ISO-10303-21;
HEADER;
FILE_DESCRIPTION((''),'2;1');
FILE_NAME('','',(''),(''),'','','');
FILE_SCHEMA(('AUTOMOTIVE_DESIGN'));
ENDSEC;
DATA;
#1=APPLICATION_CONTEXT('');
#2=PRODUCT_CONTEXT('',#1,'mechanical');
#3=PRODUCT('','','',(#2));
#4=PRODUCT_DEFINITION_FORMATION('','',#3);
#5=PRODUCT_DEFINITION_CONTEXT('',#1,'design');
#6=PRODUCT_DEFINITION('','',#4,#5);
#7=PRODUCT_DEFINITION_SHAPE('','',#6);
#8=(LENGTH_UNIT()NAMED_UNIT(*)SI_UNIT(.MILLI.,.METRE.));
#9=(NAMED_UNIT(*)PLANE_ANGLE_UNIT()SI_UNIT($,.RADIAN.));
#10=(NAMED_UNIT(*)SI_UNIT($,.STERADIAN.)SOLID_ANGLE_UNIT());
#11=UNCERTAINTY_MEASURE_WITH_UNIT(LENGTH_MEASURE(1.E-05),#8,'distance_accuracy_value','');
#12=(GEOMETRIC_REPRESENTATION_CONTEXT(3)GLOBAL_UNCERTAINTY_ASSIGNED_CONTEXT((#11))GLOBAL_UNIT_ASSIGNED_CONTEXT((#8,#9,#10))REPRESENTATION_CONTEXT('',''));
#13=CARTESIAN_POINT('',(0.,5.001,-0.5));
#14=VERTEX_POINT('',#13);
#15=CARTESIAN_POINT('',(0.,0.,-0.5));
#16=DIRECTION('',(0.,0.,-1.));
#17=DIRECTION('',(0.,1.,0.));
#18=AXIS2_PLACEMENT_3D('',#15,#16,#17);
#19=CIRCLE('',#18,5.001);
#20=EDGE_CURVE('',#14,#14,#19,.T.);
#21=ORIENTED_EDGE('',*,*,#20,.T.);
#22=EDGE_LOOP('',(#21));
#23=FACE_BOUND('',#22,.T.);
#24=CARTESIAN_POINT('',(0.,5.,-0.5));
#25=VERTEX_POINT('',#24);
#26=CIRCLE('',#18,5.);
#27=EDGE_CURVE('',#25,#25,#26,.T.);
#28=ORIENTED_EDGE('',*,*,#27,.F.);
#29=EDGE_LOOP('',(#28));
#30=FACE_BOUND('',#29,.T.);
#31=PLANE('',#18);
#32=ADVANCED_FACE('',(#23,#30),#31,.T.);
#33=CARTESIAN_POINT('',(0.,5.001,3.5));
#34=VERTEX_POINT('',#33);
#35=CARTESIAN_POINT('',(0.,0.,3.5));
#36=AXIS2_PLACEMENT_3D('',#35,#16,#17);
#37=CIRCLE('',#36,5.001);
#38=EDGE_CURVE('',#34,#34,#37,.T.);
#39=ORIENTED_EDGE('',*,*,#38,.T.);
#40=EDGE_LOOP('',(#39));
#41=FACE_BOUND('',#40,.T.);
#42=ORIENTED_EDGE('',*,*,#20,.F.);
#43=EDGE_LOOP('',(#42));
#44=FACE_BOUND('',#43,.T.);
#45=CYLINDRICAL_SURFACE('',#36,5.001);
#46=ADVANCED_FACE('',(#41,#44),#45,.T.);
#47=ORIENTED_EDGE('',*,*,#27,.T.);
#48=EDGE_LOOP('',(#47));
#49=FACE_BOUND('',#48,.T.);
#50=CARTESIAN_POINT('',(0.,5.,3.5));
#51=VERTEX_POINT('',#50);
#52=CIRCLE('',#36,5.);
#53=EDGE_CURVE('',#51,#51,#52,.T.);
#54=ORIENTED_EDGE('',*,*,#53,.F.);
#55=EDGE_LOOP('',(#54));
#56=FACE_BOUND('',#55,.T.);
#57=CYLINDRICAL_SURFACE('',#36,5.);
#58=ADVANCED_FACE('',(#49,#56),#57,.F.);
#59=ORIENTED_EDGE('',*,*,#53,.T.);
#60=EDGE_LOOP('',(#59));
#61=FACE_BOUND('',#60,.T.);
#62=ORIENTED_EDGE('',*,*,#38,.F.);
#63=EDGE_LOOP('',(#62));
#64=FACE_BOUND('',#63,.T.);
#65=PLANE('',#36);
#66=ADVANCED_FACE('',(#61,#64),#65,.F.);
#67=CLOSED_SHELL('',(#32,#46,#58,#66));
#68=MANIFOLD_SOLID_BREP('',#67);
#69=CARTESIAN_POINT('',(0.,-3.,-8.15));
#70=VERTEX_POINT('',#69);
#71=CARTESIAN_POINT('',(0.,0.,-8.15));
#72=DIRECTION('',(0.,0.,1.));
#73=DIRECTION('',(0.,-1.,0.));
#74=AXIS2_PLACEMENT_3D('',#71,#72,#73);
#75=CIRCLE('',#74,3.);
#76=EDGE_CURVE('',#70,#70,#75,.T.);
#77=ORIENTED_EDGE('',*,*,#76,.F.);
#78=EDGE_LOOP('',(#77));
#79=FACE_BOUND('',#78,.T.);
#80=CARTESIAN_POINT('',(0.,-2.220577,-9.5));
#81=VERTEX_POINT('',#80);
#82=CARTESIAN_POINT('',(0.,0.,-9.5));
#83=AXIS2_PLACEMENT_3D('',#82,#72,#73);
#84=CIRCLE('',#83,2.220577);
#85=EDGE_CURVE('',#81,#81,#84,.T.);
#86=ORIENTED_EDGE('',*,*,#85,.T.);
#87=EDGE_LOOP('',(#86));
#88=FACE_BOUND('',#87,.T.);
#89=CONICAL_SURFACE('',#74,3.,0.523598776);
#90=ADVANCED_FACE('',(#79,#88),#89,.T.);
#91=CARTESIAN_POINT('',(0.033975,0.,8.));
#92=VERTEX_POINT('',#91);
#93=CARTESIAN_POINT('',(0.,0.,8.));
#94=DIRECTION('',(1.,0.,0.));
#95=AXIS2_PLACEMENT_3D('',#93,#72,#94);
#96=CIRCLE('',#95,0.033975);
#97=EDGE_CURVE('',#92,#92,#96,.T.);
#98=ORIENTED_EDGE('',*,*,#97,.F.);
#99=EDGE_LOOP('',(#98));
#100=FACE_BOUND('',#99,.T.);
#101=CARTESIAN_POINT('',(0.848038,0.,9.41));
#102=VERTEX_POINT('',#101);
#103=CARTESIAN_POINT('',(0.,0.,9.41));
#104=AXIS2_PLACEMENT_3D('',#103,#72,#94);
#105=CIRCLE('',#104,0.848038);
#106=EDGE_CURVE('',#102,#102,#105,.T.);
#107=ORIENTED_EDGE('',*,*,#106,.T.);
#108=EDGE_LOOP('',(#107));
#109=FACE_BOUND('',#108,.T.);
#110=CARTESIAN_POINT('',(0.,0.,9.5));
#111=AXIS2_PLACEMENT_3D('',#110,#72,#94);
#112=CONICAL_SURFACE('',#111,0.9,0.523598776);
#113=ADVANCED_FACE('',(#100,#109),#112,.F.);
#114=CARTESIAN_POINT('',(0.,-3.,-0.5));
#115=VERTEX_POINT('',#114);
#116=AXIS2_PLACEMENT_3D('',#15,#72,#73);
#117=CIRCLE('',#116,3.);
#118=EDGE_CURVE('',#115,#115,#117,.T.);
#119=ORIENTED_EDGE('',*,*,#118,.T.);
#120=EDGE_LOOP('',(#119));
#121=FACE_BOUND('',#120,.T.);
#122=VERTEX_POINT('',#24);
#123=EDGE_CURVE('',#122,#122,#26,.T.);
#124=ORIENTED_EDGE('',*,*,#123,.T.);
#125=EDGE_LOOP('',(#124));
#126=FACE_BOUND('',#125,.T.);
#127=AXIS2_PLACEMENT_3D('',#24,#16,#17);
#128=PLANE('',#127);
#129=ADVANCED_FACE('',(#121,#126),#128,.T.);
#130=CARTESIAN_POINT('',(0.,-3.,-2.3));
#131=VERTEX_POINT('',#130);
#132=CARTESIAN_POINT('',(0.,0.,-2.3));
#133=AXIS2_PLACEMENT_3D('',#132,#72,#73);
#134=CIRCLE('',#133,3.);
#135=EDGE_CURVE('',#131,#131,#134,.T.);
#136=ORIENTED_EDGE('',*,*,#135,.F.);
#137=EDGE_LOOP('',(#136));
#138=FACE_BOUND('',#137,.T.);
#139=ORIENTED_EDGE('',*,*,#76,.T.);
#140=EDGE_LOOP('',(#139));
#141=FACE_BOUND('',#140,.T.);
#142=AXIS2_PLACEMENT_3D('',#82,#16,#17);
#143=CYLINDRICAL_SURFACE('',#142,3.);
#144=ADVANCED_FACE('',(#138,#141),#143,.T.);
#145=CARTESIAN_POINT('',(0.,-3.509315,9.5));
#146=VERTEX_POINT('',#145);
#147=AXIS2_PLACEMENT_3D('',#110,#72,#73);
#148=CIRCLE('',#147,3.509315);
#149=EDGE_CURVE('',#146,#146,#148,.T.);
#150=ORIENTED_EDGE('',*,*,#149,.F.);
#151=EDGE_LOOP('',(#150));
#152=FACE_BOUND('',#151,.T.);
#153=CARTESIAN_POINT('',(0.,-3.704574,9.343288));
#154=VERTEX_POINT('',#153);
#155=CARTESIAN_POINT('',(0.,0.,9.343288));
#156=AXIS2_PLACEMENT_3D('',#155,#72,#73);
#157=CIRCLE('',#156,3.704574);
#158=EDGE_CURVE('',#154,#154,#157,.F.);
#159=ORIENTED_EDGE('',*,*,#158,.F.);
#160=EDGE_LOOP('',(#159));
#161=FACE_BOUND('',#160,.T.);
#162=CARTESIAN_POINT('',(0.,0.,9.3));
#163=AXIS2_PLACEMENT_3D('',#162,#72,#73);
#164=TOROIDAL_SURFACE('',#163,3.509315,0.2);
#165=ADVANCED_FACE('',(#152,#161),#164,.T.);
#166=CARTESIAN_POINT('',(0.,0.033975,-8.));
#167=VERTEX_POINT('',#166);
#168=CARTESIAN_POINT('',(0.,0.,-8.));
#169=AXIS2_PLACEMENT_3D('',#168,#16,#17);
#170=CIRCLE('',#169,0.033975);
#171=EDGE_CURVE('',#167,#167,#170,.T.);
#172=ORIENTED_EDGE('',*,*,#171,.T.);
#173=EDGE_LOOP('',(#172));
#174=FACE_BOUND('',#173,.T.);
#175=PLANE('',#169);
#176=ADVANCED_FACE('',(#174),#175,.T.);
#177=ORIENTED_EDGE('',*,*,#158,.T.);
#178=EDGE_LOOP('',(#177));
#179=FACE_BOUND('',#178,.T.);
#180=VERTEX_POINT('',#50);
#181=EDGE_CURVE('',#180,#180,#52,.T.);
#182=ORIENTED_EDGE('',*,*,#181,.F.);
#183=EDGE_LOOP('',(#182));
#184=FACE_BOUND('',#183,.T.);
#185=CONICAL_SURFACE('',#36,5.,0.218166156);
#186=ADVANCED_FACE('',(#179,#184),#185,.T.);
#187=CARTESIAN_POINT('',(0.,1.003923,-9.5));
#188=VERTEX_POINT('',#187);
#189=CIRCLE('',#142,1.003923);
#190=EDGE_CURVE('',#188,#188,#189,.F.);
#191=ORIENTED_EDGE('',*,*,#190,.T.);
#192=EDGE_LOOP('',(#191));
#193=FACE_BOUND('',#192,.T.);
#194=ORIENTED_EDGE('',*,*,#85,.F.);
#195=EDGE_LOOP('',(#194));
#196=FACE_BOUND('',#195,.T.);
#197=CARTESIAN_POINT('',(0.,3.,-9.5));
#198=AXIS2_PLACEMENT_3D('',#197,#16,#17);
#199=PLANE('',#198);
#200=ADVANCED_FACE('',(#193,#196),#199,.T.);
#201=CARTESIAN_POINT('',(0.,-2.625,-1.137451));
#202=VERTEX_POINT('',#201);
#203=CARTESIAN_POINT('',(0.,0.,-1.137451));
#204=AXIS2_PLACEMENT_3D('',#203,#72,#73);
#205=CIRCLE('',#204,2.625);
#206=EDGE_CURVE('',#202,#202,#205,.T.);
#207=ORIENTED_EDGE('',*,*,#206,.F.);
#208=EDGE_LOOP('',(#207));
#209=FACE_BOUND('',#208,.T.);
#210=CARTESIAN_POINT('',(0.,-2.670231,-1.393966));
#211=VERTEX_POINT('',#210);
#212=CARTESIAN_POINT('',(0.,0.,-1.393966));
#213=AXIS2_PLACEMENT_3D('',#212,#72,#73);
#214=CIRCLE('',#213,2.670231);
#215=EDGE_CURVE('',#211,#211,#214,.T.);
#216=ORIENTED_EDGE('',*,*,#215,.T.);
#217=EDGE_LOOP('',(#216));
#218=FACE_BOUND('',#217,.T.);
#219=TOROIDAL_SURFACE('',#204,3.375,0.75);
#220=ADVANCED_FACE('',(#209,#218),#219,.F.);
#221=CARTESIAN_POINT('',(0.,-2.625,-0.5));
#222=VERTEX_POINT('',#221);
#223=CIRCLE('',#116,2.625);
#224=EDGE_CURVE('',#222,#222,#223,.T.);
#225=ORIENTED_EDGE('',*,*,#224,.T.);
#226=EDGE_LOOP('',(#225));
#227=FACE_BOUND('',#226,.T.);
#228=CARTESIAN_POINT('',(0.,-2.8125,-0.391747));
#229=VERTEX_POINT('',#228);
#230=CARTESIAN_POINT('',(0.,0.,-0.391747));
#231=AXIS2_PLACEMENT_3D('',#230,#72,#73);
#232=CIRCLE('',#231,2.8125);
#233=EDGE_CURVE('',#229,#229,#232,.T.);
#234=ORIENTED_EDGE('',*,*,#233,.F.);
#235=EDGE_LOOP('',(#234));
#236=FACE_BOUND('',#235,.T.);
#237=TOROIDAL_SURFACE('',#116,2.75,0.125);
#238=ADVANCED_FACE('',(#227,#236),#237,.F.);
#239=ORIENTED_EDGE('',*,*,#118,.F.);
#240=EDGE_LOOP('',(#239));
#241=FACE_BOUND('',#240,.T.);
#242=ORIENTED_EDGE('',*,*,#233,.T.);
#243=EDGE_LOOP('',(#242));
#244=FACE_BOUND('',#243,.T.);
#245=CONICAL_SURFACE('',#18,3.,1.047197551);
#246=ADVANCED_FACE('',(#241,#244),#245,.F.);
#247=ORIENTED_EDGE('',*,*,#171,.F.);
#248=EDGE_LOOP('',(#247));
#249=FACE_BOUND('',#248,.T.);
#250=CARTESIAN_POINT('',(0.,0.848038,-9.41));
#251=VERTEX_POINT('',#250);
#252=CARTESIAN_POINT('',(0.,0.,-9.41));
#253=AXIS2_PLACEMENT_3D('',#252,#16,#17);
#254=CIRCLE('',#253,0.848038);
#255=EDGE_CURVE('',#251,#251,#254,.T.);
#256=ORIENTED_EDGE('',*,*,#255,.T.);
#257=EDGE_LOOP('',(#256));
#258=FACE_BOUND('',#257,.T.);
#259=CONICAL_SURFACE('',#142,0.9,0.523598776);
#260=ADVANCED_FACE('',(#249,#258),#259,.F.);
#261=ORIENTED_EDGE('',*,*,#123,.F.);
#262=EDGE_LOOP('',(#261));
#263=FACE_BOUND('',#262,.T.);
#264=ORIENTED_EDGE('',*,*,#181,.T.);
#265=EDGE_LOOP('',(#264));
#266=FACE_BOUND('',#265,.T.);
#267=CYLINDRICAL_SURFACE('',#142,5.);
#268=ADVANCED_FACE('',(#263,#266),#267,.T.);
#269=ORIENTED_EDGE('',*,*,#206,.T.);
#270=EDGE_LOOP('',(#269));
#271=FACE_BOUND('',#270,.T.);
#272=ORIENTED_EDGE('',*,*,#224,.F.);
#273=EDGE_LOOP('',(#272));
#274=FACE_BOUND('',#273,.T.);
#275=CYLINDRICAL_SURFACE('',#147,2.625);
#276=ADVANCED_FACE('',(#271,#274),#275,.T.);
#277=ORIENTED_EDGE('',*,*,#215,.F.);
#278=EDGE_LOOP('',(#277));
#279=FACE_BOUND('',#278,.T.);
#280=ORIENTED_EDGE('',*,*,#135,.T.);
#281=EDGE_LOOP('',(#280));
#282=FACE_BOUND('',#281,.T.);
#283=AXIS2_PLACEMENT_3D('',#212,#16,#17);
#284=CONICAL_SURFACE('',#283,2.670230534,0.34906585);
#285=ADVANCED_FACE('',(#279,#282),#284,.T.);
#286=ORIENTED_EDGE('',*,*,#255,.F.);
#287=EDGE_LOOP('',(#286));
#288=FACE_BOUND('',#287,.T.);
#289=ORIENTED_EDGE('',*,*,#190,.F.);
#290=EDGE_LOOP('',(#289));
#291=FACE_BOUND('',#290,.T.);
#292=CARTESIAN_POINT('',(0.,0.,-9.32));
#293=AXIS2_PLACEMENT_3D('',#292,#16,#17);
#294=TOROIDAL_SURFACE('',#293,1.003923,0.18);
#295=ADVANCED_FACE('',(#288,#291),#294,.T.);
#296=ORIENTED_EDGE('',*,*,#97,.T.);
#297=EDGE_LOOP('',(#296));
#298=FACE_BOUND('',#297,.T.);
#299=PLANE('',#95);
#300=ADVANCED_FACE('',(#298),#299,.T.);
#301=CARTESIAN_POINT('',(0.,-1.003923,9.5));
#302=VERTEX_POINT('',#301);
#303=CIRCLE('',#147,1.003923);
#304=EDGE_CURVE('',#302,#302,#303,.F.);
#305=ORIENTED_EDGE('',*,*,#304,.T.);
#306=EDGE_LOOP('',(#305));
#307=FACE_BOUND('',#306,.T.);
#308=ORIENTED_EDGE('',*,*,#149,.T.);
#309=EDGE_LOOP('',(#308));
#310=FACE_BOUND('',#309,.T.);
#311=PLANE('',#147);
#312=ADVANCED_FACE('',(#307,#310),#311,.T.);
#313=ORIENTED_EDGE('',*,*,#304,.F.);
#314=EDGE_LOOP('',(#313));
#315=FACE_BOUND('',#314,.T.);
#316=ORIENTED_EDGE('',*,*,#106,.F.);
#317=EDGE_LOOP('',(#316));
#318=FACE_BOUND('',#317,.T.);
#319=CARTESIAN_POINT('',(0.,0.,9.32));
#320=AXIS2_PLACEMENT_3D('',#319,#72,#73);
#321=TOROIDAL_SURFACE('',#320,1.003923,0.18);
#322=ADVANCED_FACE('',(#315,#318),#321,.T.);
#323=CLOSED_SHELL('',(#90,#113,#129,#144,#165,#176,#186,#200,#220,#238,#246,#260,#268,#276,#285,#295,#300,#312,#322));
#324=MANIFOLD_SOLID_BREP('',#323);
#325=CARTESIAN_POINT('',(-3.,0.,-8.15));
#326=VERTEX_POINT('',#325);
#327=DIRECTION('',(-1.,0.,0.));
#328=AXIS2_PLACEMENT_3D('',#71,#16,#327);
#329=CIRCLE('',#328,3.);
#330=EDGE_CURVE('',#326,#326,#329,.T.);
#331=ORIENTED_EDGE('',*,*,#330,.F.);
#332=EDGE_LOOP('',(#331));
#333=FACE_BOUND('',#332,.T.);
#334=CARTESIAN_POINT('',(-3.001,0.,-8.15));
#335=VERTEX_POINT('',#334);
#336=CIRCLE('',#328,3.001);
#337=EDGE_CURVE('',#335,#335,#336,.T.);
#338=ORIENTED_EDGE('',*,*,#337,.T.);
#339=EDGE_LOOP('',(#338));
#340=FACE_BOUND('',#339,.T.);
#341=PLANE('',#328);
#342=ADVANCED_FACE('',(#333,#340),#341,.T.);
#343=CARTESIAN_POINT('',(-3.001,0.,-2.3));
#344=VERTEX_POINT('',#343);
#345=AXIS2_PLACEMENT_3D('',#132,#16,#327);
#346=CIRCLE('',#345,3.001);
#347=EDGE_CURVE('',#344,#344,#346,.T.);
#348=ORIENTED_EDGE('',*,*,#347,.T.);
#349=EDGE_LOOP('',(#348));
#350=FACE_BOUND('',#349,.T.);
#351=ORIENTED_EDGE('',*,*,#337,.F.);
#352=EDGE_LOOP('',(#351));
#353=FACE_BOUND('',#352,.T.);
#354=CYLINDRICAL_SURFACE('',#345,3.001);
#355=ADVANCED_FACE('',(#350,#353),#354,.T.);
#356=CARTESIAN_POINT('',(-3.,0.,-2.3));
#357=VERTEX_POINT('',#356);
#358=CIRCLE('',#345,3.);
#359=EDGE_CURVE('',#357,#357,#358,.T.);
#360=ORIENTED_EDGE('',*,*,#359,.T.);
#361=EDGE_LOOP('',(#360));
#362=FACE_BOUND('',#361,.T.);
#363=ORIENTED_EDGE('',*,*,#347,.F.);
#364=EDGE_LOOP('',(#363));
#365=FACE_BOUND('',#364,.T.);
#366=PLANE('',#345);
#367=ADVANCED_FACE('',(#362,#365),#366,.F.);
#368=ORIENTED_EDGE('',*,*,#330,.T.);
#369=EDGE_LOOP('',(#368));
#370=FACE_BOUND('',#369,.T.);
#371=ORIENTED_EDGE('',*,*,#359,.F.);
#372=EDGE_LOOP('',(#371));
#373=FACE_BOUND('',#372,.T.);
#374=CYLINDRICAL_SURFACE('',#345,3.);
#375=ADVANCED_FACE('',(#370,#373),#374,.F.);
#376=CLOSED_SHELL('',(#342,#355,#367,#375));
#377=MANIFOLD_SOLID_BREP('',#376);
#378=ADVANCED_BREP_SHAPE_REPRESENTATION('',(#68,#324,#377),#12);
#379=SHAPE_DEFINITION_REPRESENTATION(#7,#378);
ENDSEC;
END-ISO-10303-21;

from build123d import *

# Parameters (mm, degrees)
SKETCH10_R          = 0.9
CUT_EXTRUDE2_DEPTH  = 1.5
CUT_EXTRUDE2_TAPER  = 30
SKETCH15_R          = 0.9
CUT_EXTRUDE5_DEPTH  = 1.5
CUT_EXTRUDE5_TAPER  = 30
FILLET1_R           = 0.2
FILLET3_R           = 0.18
SKETCH17_R          = 5.001
SKETCH17_R_2        = 5
BOSS_EXTRUDE1_DEPTH = 4
SKETCH19_R          = 3.001
SKETCH19_R_2        = 3
BOSS_EXTRUDE2_DEPTH = 5.85


with BuildPart() as part:
    # Sketch3 → Revolve2 (revolve)
    with BuildSketch(Plane(origin=(0, 0, 0), x_dir=(0, 0, -1), z_dir=(1, 0, 0))):
        Polygon((-9.5, 0), (-9.5, 3.669832024), (-3.5, 5), (0.5, 5), (0.5, 3), (9.5, 3), (9.5, 0), align=None)
    revolve(axis=Axis((0, 0, -9.5), (0, 0, 1)))

    # Sketch16 → Cut-Revolve1 (revolve, cut)
    with BuildSketch(Plane(origin=(0, 0, 0), x_dir=(0, 0, -1), z_dir=(1, 0, 0))):
        with BuildLine():
            Line((0.5, 3), (0.391746825, 2.8125))
            ThreePointArc((0.391746825, 2.8125), (0.391746825, 2.6875), (0.5, 2.625))
            Line((0.5, 2.625), (1.137450732, 2.625))
            ThreePointArc((1.137450732, 2.625), (1.267686865, 2.636394185), (1.39396584, 2.670230534))
            Line((1.39396584, 2.670230534), (2.3, 3))
            Line((2.3, 3), (0.5, 3))
        make_face()
        Polygon((8.15, 3), (9.5, 2.220577137), (9.5, 3), align=None)
    revolve(axis=Axis((0, 0, 9.5), (0, 0, -1)), mode=Mode.SUBTRACT)

    # Sketch10 → Cut-Extrude2 (cut)
    with BuildSketch(Plane.XY.offset(9.5)):
        Circle(SKETCH10_R)
    extrude(amount=-CUT_EXTRUDE2_DEPTH, taper=CUT_EXTRUDE2_TAPER, mode=Mode.SUBTRACT)

    # Sketch15 → Cut-Extrude5 (cut)
    with BuildSketch(Plane(origin=(0, 0, -9.5), x_dir=(-1, 0, 0), z_dir=(0, 0, -1))):
        Circle(SKETCH15_R)
    extrude(amount=-CUT_EXTRUDE5_DEPTH, taper=CUT_EXTRUDE5_TAPER, mode=Mode.SUBTRACT)

    # Fillet1
    fillet1_edges = [part.edges().sort_by_distance(p)[0] for p in [
        (0, -3.669832024, 9.5),
    ]]
    fillet(fillet1_edges, radius=FILLET1_R)

    # Fillet3
    fillet3_edges = [part.edges().sort_by_distance(p)[0] for p in [
        (-0.9, 0, 9.5),
        (0.9, 0, -9.5),
    ]]
    fillet(fillet3_edges, radius=FILLET3_R)


with BuildPart() as body_2:
    # Sketch17 → Boss-Extrude1 (new body)
    with BuildSketch(Plane(origin=(0, 0, -0.5), x_dir=(-1, 0, 0), z_dir=(0, 0, -1))):
        Circle(SKETCH17_R)
        Circle(SKETCH17_R_2, mode=Mode.SUBTRACT)
    extrude(amount=-BOSS_EXTRUDE1_DEPTH)


with BuildPart() as body_3:
    # Sketch19 → Boss-Extrude2 (new body)
    with BuildSketch(Plane(origin=(0, 0, -8.15), x_dir=(-1, 0, 0), z_dir=(0, 0, -1))):
        Circle(SKETCH19_R)
        Circle(SKETCH19_R_2, mode=Mode.SUBTRACT)
    extrude(amount=-BOSS_EXTRUDE2_DEPTH)


solid = Compound([part.part, body_2.part, body_3.part])
